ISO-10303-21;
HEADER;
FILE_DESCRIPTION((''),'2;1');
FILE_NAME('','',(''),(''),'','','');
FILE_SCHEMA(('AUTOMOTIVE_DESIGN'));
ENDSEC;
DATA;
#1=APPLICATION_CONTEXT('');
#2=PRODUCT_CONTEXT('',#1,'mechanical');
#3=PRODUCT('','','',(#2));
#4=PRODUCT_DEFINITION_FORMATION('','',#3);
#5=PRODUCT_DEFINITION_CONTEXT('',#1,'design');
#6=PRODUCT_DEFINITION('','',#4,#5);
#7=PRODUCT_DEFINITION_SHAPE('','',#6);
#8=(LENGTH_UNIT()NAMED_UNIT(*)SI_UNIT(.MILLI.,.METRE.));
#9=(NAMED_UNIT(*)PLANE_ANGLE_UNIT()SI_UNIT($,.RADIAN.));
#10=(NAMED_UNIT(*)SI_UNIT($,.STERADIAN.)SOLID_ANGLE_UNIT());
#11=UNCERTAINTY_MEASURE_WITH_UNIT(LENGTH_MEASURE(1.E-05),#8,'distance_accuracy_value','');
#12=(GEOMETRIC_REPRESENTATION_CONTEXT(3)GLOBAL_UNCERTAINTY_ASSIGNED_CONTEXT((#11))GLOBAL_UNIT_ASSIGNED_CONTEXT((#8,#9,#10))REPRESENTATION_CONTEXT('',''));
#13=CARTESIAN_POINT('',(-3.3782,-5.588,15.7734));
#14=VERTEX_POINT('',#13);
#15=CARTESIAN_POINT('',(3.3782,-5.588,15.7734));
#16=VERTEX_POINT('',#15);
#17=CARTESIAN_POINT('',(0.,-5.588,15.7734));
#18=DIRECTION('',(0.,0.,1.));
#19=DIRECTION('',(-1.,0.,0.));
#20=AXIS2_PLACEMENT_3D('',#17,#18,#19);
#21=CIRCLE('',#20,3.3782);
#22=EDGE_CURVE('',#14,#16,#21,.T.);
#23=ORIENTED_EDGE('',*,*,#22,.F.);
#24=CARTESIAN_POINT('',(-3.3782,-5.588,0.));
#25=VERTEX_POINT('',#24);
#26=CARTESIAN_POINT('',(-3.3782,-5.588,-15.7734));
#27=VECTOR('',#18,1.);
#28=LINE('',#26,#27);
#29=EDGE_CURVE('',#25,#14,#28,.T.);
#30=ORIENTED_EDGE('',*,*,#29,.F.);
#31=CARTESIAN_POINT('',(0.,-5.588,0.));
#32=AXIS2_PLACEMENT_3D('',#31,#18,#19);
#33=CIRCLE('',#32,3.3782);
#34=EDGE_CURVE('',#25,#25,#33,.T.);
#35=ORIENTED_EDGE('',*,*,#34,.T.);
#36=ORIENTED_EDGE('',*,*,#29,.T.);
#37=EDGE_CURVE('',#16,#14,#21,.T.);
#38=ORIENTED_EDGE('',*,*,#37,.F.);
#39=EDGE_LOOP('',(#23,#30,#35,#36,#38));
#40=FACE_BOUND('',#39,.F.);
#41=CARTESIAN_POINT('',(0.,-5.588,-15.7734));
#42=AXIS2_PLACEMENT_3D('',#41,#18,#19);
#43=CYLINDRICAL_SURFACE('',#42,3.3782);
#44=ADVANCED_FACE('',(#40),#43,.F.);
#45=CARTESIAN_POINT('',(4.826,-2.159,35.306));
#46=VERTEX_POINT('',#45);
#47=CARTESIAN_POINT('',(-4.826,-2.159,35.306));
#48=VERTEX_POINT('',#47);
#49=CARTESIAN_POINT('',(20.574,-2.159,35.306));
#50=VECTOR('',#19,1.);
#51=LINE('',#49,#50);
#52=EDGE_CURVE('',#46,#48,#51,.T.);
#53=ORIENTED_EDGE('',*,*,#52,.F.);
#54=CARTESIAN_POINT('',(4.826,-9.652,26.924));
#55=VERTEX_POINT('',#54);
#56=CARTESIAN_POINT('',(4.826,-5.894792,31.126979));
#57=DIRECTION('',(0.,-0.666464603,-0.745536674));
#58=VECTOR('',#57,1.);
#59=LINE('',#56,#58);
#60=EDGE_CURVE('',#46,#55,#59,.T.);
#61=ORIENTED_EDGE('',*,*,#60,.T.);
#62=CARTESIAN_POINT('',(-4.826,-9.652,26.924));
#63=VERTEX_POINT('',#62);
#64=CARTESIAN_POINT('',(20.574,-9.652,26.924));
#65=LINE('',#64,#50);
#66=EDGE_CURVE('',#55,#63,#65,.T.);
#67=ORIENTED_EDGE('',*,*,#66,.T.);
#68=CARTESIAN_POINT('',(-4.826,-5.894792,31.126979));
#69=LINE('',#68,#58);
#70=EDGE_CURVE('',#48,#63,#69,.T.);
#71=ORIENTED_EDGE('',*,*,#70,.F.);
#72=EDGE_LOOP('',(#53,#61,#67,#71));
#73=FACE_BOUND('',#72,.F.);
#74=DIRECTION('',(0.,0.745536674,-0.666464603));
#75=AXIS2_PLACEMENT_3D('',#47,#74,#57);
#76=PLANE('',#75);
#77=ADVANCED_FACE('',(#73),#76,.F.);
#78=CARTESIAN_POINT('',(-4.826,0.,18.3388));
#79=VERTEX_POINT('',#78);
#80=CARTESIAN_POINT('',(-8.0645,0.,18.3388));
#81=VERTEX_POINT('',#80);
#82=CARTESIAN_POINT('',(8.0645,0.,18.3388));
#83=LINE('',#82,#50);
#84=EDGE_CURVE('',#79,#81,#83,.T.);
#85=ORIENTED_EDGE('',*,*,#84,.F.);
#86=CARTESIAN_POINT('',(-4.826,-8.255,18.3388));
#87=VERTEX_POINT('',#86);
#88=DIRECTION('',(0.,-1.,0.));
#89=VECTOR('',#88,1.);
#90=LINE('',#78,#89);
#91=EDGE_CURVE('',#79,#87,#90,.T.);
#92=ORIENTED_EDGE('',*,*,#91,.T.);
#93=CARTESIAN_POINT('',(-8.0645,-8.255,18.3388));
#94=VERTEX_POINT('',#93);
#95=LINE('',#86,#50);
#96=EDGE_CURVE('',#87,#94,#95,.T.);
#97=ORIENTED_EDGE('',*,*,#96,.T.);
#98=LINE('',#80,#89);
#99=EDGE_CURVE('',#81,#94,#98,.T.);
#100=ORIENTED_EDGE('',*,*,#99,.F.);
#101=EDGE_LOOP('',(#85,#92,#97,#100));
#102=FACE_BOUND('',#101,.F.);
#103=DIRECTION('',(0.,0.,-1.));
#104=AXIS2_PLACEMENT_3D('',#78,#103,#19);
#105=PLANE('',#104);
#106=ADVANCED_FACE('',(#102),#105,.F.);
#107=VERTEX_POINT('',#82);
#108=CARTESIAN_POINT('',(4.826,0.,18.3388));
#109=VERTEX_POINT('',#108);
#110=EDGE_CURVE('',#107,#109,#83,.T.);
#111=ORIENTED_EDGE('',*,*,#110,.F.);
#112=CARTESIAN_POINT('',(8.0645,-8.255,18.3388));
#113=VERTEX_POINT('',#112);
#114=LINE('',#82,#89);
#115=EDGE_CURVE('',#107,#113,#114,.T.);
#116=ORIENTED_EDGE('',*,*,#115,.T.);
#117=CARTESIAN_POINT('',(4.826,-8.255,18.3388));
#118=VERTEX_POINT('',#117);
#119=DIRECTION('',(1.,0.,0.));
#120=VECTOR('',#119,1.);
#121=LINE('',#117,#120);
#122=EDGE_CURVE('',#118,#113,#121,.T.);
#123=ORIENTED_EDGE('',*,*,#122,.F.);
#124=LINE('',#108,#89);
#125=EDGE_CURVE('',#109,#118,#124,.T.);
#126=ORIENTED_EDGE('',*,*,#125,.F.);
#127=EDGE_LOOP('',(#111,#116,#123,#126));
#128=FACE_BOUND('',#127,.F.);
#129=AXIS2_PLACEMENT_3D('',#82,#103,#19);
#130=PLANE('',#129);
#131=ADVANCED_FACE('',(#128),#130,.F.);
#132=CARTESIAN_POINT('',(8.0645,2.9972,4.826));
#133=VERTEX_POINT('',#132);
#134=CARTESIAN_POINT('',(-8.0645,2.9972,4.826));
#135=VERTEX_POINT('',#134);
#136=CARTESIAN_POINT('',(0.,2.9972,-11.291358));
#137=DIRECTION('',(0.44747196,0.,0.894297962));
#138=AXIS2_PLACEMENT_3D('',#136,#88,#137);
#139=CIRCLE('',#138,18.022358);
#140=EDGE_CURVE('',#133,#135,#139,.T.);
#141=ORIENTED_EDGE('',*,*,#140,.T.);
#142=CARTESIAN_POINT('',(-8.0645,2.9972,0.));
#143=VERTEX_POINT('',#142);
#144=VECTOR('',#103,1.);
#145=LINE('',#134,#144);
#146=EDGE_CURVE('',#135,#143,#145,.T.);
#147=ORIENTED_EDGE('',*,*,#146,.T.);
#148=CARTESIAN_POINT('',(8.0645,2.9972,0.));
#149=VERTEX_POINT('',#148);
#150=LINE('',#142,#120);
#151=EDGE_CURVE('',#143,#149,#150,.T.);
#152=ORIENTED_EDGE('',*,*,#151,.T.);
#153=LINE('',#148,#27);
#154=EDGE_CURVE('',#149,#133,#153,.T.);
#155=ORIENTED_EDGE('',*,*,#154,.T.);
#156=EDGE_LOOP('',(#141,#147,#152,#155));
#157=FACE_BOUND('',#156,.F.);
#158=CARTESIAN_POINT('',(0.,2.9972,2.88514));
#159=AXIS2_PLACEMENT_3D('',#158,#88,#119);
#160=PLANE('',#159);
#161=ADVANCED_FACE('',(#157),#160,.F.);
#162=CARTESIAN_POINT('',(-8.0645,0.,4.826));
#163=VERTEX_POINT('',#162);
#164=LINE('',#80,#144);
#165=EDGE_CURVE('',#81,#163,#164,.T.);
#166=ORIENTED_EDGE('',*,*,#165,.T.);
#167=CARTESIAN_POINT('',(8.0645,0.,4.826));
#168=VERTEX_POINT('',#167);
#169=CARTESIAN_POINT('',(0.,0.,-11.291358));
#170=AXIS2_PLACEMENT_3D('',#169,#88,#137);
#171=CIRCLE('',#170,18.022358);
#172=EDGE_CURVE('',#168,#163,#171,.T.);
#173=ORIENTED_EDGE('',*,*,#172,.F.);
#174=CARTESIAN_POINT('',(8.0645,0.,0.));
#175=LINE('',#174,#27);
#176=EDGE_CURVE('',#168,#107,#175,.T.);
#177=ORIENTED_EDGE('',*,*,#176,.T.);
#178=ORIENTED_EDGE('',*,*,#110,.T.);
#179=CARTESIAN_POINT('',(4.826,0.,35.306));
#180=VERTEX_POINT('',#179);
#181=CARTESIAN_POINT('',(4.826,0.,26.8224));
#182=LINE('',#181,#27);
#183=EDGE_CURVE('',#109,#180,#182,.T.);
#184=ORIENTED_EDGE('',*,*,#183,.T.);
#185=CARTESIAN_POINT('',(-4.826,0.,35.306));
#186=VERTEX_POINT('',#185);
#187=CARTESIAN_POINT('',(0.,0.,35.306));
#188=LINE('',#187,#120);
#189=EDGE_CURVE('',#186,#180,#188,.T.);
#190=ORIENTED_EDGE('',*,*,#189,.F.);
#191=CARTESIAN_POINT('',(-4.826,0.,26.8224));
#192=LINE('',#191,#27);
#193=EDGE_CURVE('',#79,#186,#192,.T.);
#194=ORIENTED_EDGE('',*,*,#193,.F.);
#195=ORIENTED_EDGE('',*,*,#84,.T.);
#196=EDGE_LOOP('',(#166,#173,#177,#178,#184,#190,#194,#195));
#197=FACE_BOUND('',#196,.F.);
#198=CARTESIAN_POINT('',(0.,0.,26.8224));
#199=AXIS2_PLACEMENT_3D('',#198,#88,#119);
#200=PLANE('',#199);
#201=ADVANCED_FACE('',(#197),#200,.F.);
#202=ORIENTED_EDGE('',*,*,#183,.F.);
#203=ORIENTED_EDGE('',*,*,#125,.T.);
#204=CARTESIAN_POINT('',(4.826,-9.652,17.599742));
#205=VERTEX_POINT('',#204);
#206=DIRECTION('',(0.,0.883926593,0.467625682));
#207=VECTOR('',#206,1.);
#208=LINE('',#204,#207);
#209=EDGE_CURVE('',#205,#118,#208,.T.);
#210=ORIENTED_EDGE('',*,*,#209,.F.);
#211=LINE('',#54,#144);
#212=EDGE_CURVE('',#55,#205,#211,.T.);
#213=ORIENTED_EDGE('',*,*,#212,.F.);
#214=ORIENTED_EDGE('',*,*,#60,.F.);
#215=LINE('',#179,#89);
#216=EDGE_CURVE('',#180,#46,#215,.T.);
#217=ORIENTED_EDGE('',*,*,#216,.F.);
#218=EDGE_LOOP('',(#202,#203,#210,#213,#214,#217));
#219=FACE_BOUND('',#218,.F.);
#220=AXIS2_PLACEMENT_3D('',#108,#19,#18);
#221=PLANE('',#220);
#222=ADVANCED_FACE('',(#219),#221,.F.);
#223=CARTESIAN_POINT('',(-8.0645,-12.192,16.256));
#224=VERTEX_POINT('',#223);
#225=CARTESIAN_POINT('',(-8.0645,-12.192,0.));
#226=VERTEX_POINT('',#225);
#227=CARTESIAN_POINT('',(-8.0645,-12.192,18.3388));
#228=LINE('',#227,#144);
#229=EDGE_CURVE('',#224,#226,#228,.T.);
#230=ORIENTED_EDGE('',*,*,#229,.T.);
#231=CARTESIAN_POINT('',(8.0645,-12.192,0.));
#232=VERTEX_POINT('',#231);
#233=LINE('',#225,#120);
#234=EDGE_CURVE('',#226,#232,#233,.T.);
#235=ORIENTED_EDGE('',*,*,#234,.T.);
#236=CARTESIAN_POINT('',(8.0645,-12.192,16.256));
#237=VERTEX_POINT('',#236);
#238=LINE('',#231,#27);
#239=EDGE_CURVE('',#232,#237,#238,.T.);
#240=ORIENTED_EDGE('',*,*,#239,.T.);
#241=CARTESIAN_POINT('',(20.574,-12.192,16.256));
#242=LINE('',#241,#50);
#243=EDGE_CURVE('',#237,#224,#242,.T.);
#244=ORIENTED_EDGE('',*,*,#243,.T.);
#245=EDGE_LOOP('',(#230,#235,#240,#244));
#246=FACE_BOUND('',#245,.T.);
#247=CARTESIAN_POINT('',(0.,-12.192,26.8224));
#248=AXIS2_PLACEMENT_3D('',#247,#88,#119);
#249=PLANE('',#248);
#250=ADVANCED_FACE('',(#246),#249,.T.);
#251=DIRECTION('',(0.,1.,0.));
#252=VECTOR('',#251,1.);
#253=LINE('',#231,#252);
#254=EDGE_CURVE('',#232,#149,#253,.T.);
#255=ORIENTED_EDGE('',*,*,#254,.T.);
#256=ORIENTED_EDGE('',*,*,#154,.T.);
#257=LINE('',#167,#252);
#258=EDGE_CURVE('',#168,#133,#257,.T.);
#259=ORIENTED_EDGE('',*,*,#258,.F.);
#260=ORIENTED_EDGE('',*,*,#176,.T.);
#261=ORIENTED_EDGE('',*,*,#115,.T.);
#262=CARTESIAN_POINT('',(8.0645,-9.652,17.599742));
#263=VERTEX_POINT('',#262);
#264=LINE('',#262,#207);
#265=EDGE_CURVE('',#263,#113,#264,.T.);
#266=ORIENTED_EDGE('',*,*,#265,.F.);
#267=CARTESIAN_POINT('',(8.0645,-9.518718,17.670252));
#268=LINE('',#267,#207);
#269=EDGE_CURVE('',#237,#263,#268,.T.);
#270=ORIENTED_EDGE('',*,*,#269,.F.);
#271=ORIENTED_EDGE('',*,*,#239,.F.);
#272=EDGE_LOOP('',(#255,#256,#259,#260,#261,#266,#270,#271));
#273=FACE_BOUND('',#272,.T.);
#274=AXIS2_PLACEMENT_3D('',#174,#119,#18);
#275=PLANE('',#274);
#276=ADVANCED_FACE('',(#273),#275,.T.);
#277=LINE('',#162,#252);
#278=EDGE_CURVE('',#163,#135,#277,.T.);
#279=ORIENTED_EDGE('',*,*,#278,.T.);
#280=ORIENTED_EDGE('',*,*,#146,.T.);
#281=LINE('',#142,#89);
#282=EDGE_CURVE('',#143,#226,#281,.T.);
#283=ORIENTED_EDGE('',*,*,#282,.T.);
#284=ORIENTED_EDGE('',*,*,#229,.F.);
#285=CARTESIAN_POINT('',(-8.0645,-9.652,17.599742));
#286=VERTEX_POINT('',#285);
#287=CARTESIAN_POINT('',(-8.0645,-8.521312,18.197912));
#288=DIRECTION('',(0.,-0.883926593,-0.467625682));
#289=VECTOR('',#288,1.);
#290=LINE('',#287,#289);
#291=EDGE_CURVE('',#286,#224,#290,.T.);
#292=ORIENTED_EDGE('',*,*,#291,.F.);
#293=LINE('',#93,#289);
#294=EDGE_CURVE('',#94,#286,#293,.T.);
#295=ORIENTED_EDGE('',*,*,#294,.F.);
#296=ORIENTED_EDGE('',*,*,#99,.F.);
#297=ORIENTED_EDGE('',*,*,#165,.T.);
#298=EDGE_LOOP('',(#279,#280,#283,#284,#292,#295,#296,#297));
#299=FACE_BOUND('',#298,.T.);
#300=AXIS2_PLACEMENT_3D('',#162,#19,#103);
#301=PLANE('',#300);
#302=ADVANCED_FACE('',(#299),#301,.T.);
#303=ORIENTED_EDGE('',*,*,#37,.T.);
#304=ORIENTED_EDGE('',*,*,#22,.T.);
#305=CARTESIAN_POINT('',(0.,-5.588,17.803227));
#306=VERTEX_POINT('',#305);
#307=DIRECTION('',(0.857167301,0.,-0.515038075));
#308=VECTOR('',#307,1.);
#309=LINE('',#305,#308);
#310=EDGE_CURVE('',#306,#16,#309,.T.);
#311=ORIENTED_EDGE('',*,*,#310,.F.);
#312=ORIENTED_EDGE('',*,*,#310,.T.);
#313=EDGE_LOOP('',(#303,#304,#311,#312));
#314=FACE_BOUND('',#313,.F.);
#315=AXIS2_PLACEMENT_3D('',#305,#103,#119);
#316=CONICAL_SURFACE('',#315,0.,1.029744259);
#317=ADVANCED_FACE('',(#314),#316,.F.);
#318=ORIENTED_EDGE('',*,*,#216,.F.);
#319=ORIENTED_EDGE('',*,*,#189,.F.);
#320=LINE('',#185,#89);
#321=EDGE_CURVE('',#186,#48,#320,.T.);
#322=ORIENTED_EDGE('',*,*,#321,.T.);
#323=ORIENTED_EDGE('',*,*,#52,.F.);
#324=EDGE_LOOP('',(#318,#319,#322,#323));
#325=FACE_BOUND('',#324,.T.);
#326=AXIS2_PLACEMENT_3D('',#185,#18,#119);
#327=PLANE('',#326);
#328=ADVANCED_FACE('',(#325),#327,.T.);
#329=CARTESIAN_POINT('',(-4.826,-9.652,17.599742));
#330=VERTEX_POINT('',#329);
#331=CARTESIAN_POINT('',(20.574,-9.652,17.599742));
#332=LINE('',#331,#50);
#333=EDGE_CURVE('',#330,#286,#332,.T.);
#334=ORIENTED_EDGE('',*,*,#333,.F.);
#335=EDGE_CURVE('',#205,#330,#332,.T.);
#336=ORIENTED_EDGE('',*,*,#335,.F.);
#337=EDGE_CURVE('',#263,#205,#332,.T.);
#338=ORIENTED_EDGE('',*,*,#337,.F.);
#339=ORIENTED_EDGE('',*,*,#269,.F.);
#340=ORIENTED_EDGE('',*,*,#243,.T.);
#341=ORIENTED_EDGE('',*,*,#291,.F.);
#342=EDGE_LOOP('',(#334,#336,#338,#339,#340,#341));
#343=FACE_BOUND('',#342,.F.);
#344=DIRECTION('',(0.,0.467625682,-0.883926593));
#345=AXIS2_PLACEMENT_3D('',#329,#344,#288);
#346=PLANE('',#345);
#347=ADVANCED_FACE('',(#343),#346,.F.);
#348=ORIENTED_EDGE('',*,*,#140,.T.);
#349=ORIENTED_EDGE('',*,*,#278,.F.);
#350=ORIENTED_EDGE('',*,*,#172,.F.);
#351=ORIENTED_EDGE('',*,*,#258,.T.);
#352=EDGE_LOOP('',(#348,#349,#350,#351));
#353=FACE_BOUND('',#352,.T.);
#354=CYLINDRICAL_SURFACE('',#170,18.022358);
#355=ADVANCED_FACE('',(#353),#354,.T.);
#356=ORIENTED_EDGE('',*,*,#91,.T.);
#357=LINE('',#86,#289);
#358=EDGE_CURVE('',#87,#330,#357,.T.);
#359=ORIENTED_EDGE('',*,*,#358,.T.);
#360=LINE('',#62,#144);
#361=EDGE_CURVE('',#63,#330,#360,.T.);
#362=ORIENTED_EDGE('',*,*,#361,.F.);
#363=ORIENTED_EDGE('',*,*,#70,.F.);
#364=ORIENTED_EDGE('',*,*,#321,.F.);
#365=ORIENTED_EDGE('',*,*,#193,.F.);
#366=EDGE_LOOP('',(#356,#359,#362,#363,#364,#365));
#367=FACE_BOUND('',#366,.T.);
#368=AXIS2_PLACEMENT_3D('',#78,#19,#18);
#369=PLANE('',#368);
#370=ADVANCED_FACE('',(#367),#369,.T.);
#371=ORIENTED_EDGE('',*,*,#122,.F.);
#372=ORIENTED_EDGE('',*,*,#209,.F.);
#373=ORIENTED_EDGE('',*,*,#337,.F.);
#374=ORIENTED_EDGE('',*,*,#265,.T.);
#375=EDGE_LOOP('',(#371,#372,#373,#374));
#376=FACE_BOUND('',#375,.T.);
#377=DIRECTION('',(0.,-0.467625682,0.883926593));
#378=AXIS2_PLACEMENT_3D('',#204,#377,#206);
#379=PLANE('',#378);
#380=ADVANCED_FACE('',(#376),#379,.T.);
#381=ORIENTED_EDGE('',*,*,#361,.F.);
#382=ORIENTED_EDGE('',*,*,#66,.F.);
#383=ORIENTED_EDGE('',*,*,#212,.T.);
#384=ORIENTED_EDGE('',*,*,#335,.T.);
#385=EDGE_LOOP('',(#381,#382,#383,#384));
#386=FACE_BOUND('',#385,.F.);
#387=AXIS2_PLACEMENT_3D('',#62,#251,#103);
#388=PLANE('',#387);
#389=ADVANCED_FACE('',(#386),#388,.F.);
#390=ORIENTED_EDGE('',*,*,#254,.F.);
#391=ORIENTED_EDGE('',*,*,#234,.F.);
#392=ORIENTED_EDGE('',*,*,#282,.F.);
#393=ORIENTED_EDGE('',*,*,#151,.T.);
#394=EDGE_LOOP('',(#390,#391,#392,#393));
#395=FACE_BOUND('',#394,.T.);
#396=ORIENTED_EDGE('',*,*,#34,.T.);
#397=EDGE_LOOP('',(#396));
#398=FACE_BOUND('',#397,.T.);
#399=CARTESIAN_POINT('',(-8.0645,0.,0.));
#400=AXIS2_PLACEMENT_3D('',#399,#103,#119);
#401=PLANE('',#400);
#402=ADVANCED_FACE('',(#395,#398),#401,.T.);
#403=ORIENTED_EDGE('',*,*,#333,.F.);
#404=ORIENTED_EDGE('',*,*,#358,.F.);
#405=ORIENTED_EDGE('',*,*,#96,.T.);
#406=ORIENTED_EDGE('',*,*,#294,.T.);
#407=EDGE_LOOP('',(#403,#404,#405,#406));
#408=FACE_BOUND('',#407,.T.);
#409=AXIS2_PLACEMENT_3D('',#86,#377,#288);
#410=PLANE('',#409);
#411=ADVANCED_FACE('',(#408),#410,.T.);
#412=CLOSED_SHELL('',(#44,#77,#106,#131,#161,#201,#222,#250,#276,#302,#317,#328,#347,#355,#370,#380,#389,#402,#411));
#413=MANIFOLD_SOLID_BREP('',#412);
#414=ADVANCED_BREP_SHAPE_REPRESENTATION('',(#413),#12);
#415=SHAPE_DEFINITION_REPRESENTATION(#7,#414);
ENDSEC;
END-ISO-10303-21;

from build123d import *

# Parameters (mm, degrees)
F0_W      = 9.652
F0_H      = 16.9672
F1_DEPTH  = 12.192
F2_DEPTH  = 2.9972
F4_DEPTH  = 25.4
F6_DEPTH  = 3.2385
F8_DEPTH  = 3.2385
F10_D     = 6.7564
F10_DEPTH = 15.7734
F10_TIP   = 2.0298273432


with BuildPart() as f1:
    # F0 (on Front) → F1 (new body)
    with BuildSketch(Plane.XZ):
        with Locations((0, 26.8224)):
            Rectangle(F0_W, F0_H)
        with BuildLine():
            Line((4.826, 18.3388), (-4.826, 18.3388))
            Line((-4.826, 18.3388), (-8.0645, 18.3388))
            Line((-8.0645, 18.3388), (-8.0645, 4.826))
            ThreePointArc((-8.0645, 4.826), (0, 6.731), (8.0645, 4.826))
            Line((8.0645, 4.826), (8.0645, 18.3388))
            Line((8.0645, 18.3388), (4.826, 18.3388))
        make_face()
        with BuildLine():
            ThreePointArc((8.0645, 4.826), (0, 6.731), (-8.0645, 4.826))
            Line((-8.0645, 4.826), (-8.0645, 0))
            Line((-8.0645, 0), (8.0645, 0))
            Line((8.0645, 0), (8.0645, 4.826))
        make_face()
    extrude(amount=F1_DEPTH)

    # F0 (on Front) → F2 (join)
    with BuildSketch(Plane.XZ):
        with BuildLine():
            ThreePointArc((8.0645, 4.826), (0, 6.731), (-8.0645, 4.826))
            Line((-8.0645, 4.826), (-8.0645, 0))
            Line((-8.0645, 0), (8.0645, 0))
            Line((8.0645, 0), (8.0645, 4.826))
        make_face()
    extrude(amount=-F2_DEPTH)

    # F3 (on face) → F4 (cut, symmetric)
    with BuildSketch(Plane(origin=(-4.826, 0, 0), x_dir=(0, -1, 0), z_dir=(-1, 0, 0))):
        Polygon((2.159, 37.6501940191), (2.159, 35.306), (9.652, 26.924), (9.652, 17.5997419355), (12.192, 16.256), (15.097416006, 16.256), (15.097416006, 26.924), (15.097416006, 37.6501940191), align=None)
    extrude(amount=F4_DEPTH, both=True, mode=Mode.SUBTRACT)

    # F5 (on face) → F6 (cut, through all)
    with BuildSketch(Plane(origin=(-4.826, 0, 0), x_dir=(0, -1, 0), z_dir=(-1, 0, 0))):
        Polygon((9.652, 17.5997419355), (9.652, 18.3388), (8.255, 18.3388), align=None)
    extrude(amount=F6_DEPTH, mode=Mode.SUBTRACT)

    # F7 (on face) → F8 (cut, through all)
    with BuildSketch(Plane.YZ.offset(4.826)):
        Polygon((-8.255, 18.3388), (-9.652, 18.3388), (-9.652, 17.5997419355), align=None)
    extrude(amount=F8_DEPTH, mode=Mode.SUBTRACT)

    # F10
    with Locations(Plane(origin=(0, 0, 0), x_dir=(1, 0, 0), z_dir=(0, 0, -1))):
        with Locations((0, 5.588)):
            Hole(F10_D / 2, depth=F10_DEPTH)
            with Locations((0, 0, -(F10_DEPTH + F10_TIP / 2))):  # 118° drill point
                Cone(0, F10_D / 2, F10_TIP, mode=Mode.SUBTRACT)


solid = f1.part
